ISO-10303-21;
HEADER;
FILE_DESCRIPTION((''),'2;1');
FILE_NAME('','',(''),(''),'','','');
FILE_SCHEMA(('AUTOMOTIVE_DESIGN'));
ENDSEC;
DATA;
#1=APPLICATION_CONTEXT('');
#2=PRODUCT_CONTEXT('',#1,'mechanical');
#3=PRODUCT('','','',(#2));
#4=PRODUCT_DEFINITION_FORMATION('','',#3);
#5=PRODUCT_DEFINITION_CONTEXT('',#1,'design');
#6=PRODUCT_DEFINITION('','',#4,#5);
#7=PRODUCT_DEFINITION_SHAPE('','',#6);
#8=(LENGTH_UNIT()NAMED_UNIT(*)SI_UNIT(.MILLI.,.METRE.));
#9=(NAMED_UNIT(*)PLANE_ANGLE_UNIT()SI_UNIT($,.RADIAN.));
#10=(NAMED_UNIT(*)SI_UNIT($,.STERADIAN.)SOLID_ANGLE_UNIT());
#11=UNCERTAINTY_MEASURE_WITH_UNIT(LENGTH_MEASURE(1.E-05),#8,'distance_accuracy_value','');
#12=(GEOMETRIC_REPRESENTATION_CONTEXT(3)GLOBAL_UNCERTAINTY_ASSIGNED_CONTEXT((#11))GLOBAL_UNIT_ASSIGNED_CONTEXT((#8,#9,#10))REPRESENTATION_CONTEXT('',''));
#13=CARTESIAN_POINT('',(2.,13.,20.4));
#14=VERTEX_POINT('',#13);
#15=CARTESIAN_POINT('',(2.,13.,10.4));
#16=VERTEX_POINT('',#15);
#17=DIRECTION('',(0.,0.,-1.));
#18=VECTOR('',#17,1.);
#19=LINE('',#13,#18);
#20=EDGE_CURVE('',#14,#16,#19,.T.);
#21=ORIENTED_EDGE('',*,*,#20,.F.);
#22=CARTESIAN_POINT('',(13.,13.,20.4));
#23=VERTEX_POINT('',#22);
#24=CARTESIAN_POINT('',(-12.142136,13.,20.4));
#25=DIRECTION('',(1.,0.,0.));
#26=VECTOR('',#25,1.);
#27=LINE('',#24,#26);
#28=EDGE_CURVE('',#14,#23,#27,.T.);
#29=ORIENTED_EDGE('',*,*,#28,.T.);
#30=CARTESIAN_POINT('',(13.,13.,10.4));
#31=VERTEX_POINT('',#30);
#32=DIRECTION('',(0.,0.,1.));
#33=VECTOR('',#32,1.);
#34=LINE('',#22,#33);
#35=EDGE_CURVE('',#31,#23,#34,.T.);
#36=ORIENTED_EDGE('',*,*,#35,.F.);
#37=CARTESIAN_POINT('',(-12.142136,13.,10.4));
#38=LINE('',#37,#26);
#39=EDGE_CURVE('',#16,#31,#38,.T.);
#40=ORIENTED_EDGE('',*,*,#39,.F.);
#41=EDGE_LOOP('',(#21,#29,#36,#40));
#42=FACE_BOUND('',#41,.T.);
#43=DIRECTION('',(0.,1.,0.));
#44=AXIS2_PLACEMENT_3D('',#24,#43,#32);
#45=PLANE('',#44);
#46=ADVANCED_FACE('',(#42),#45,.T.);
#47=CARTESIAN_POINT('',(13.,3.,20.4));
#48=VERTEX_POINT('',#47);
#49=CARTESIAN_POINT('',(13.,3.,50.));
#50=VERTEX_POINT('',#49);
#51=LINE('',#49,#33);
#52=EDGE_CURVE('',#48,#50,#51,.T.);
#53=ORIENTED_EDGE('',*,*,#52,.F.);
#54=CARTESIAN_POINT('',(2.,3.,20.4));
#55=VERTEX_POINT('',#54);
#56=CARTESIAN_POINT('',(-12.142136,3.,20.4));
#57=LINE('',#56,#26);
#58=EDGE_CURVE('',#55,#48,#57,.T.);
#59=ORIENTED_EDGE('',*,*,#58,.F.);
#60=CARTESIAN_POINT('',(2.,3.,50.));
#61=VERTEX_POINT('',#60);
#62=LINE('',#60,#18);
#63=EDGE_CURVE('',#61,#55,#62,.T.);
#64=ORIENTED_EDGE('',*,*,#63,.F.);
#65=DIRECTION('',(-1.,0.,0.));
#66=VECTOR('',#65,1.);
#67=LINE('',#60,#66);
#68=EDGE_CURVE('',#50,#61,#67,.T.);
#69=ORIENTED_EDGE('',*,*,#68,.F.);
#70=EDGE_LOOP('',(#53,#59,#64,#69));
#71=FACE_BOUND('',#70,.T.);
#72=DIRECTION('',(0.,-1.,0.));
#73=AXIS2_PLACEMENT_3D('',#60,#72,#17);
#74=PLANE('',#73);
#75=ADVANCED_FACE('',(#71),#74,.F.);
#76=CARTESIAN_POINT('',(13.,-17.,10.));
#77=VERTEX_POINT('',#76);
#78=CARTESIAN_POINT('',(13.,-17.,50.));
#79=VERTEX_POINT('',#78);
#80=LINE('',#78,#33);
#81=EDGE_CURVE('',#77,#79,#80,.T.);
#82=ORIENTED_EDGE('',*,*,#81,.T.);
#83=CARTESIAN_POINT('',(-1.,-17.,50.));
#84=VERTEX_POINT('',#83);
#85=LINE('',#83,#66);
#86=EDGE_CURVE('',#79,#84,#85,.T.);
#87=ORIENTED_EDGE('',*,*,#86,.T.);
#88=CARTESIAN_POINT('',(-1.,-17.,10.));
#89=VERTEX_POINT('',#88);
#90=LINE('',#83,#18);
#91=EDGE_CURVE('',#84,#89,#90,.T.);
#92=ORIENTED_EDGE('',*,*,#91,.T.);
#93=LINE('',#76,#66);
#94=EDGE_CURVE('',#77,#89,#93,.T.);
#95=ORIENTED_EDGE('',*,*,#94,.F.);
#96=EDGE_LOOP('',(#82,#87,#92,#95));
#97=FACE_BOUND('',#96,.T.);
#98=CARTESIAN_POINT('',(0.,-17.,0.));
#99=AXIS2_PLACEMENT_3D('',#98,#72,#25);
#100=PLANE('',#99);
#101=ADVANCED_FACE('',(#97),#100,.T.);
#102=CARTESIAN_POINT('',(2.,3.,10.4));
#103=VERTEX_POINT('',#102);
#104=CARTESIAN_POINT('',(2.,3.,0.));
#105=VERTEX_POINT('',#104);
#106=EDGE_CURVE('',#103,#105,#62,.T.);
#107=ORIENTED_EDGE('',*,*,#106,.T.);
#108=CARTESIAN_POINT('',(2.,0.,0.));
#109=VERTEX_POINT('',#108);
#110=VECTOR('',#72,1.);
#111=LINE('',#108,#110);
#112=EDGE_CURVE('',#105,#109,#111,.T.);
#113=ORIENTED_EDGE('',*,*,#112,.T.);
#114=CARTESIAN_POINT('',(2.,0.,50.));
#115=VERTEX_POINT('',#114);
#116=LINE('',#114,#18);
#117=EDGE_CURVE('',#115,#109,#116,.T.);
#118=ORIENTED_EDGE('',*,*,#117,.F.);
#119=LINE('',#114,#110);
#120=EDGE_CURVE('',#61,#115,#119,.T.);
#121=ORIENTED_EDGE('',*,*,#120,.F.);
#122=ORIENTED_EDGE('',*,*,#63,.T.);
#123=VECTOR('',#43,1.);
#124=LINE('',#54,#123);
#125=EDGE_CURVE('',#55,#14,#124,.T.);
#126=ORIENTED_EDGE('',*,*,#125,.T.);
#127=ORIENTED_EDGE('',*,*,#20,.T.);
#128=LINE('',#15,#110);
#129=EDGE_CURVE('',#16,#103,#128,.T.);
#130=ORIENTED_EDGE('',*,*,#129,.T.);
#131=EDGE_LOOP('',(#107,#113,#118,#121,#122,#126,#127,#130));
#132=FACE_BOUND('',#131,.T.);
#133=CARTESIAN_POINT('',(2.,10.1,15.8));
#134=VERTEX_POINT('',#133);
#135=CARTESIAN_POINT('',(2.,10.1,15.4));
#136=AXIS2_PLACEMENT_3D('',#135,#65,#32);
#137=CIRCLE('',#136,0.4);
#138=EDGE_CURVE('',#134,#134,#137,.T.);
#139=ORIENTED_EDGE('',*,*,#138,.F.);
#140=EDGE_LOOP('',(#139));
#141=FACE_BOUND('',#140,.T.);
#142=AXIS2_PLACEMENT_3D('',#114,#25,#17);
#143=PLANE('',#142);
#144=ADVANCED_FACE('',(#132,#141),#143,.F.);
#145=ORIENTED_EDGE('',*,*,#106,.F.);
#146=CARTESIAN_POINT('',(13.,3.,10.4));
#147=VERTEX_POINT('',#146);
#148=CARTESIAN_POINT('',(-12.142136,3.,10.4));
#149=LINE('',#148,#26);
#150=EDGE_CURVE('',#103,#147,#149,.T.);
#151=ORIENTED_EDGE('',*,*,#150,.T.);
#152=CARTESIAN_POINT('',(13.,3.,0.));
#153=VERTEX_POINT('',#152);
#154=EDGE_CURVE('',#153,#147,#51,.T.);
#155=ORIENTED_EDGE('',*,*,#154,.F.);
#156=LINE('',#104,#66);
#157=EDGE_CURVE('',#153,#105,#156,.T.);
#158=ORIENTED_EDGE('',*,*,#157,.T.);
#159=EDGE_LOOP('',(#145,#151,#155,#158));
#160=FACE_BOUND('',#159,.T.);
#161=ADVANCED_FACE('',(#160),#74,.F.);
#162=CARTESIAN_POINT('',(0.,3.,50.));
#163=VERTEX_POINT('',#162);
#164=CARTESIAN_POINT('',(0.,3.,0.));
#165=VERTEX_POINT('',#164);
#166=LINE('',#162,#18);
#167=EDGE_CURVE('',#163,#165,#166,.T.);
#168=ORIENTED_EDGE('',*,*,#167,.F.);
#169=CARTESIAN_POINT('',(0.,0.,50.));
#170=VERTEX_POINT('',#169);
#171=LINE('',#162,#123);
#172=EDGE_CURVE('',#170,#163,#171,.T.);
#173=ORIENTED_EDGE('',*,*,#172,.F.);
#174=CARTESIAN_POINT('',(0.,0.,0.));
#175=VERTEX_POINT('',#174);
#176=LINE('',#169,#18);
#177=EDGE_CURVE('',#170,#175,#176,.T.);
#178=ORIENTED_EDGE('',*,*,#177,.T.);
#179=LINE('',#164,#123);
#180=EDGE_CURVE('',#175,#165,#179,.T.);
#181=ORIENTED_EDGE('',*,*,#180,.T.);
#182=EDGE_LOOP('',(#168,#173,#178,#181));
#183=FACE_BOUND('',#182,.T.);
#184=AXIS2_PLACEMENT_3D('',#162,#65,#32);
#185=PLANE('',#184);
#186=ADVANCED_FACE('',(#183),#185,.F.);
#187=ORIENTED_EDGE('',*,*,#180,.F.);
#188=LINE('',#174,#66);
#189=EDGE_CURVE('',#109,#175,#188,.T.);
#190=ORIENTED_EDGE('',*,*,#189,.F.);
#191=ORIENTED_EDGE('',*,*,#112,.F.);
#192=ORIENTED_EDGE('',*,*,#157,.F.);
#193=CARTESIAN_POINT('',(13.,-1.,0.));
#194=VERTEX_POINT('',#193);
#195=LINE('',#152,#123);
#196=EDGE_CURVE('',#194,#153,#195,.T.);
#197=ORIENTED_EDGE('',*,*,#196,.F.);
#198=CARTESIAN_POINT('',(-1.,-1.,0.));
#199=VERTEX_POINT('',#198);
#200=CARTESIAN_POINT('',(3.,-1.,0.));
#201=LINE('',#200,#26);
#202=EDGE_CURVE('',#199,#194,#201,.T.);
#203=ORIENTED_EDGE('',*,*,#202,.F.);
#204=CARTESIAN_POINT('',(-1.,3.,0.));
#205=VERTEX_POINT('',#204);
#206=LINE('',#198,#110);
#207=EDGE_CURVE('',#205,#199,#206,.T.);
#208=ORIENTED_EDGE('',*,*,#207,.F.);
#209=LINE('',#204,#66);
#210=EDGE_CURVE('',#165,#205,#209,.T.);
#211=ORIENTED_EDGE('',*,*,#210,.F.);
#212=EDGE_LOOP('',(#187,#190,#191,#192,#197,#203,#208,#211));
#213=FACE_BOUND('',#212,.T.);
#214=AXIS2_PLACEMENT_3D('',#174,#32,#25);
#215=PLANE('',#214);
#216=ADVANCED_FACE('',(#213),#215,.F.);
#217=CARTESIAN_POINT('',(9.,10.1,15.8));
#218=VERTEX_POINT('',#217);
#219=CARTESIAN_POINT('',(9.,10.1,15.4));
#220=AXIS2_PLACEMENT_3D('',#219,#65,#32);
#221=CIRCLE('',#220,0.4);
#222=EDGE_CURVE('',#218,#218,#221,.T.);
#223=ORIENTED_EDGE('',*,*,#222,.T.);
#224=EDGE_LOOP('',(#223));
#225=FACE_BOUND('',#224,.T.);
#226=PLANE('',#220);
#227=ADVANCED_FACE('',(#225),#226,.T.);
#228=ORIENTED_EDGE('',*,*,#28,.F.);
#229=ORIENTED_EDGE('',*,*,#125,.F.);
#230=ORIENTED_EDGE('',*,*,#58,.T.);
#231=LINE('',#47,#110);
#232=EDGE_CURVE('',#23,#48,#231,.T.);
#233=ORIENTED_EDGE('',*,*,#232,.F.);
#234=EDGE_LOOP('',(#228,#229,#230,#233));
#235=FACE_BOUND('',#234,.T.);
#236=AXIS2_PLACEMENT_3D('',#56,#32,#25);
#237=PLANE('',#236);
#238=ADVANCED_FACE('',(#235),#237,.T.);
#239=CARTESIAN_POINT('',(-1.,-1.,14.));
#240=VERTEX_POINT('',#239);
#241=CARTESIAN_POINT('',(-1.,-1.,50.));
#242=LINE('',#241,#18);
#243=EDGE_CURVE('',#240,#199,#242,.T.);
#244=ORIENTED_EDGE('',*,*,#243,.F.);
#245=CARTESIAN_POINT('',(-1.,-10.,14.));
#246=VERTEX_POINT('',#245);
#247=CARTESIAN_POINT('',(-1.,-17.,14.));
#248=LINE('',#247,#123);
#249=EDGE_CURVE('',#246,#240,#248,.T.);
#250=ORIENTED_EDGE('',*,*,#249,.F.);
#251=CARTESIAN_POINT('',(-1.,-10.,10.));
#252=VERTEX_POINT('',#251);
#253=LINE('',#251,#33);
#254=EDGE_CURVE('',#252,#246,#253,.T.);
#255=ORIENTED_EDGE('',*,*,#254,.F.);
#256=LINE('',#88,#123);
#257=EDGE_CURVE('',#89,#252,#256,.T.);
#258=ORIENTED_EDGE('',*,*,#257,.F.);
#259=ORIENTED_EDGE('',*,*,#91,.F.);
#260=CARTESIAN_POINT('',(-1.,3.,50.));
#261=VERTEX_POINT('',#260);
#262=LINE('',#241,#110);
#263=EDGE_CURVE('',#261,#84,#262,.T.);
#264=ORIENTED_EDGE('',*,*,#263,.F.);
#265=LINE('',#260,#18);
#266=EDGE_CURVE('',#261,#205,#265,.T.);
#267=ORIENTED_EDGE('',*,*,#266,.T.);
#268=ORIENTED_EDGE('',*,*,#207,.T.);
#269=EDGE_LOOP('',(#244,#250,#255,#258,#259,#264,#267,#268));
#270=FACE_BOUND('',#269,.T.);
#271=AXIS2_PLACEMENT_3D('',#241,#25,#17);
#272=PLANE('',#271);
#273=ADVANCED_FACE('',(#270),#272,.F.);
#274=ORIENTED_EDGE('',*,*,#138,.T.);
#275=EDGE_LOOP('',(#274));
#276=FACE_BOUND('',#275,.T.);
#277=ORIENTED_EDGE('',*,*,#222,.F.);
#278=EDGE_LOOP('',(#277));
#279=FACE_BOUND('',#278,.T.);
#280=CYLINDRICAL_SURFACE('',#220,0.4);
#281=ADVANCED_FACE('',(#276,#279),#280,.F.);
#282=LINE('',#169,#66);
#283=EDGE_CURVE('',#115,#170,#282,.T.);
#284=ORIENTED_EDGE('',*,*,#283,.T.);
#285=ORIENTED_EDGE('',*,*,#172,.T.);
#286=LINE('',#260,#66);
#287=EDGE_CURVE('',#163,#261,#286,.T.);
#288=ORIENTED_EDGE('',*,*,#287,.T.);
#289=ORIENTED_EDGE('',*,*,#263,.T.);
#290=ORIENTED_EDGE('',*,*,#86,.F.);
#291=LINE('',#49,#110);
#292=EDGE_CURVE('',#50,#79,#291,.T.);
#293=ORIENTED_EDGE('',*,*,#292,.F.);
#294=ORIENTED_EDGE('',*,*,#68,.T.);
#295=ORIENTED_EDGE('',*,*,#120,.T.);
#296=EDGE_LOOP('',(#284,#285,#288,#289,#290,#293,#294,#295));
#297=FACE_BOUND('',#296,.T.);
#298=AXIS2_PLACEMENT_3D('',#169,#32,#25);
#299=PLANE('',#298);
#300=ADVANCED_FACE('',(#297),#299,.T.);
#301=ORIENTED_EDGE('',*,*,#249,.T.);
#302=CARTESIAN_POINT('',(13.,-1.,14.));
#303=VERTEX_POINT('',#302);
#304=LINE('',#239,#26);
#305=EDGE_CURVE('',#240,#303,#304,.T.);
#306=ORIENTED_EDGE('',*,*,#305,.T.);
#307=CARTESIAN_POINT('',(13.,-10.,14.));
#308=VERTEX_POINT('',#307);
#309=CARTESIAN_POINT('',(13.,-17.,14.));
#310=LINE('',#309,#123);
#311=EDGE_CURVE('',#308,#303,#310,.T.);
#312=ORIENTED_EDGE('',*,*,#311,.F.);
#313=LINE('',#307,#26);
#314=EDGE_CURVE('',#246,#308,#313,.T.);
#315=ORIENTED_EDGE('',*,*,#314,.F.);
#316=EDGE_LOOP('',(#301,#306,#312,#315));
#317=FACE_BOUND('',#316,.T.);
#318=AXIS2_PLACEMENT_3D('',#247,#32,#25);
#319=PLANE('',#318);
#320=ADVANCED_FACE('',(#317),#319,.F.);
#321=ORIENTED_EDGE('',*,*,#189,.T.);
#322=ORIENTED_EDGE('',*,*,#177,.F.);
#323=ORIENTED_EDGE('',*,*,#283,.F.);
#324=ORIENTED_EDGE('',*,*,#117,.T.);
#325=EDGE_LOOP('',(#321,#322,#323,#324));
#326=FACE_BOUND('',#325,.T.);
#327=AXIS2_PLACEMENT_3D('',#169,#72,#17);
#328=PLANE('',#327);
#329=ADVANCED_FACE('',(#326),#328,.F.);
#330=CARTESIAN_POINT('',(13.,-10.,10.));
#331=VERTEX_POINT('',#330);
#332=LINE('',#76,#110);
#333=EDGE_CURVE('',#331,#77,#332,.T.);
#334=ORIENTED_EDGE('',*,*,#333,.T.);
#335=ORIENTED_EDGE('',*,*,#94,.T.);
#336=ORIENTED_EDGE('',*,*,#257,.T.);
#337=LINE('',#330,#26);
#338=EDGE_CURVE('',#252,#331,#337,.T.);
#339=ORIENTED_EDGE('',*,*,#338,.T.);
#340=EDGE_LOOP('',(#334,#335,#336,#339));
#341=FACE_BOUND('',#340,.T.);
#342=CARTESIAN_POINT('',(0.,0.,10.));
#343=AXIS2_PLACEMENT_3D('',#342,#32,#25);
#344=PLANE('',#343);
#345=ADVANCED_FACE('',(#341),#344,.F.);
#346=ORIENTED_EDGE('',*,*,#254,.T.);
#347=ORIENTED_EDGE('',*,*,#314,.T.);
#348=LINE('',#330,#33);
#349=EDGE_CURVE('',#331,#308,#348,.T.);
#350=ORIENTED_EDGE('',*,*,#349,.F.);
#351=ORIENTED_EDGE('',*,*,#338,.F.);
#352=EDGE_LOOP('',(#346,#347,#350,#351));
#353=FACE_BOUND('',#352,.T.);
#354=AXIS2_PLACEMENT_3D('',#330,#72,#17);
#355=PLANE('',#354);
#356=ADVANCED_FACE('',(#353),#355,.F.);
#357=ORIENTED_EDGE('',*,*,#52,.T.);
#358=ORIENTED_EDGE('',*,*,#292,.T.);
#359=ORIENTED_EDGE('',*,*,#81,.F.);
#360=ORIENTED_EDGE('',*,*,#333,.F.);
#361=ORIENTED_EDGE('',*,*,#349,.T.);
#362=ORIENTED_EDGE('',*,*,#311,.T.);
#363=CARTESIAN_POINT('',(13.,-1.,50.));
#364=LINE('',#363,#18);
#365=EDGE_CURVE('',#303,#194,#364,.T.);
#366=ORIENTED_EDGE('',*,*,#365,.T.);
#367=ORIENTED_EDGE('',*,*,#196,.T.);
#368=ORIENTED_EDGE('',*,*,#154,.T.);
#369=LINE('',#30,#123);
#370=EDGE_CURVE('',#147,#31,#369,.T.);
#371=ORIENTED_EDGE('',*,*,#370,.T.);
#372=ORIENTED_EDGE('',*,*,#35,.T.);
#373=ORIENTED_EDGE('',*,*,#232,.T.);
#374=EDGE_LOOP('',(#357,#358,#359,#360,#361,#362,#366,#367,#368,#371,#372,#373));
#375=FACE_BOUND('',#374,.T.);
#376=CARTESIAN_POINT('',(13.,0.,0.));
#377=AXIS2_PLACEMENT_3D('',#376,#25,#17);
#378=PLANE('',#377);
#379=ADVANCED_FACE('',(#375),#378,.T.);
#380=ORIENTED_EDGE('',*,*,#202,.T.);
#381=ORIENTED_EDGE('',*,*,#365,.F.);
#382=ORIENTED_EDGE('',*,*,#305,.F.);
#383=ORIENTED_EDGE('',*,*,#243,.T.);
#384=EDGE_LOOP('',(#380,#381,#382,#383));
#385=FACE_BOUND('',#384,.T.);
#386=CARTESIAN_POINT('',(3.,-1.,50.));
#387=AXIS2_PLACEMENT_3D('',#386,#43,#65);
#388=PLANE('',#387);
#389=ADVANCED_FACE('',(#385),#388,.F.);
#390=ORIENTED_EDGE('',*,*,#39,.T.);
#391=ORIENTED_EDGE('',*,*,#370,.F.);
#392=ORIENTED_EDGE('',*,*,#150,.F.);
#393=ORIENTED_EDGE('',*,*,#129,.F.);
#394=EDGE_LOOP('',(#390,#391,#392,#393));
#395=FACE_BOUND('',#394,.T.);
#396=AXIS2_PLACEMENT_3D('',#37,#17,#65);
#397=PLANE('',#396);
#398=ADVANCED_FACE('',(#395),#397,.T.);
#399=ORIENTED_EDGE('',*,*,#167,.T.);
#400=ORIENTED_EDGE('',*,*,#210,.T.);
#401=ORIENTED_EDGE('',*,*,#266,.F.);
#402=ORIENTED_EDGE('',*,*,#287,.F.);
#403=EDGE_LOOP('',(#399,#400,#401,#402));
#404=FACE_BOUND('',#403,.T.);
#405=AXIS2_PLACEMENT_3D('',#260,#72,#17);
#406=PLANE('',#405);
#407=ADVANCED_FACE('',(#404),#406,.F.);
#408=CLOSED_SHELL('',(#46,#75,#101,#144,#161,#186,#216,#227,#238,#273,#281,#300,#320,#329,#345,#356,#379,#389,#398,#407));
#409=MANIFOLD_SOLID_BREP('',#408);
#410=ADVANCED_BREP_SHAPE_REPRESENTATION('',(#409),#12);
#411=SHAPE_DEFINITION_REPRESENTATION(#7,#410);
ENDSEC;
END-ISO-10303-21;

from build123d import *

# Parameters (mm, degrees)
BOSS_EXTRUDE1_DEPTH = 50
SKETCH2_W           = 50
SKETCH2_H           = 4
BOSS_EXTRUDE2_DEPTH = 10
SKETCH4_W           = 14
SKETCH4_H           = 36
BOSS_EXTRUDE3_DEPTH = 16
SKETCH5_W           = 14
SKETCH5_H           = 7
BOSS_EXTRUDE4_DEPTH = 4
SKETCH7_W           = 10
SKETCH7_H           = 10
BOSS_EXTRUDE5_DEPTH = 11
SKETCH8_R           = 0.4
CUT_EXTRUDE2_DEPTH  = 7


with BuildPart() as part:
    # Sketch1 → Boss-Extrude1 (new body)
    with BuildSketch(Plane.XY):
        Polygon((0, 0), (2, 0), (2, 3), (3, 3), (3, -1), (-1, -1), (-1, 3), (0, 3), align=None)
    extrude(amount=BOSS_EXTRUDE1_DEPTH)

    # Sketch2 → Boss-Extrude2 (add)
    with BuildSketch(Plane(origin=(3, 0, 0), x_dir=(0, 0, -1), z_dir=(1, 0, 0))):
        with Locations((-25, 1)):
            Rectangle(SKETCH2_W, SKETCH2_H)
    extrude(amount=BOSS_EXTRUDE2_DEPTH)

    # Sketch4 → Boss-Extrude3 (add)
    with BuildSketch(Plane.XZ.offset(1)):
        with Locations((6, 32)):
            Rectangle(SKETCH4_W, SKETCH4_H)
    extrude(amount=BOSS_EXTRUDE3_DEPTH)

    # Sketch5 → Boss-Extrude4 (add)
    with BuildSketch(Plane(origin=(0, 0, 14), x_dir=(-1, 0, 0), z_dir=(0, 0, -1))):
        with Locations((-6, -13.5)):
            Rectangle(SKETCH5_W, SKETCH5_H)
    extrude(amount=BOSS_EXTRUDE4_DEPTH)

    # Sketch7 → Boss-Extrude5 (add)
    with BuildSketch(Plane(origin=(13, 0, 0), x_dir=(0, 0, -1), z_dir=(1, 0, 0))):
        with Locations((-15.4, 8)):
            Rectangle(SKETCH7_W, SKETCH7_H)
    extrude(amount=-BOSS_EXTRUDE5_DEPTH)

    # Sketch8 → Cut-Extrude2 (cut)
    with BuildSketch(Plane.ZY.offset(-2)):
        with Locations((15.4, 10.1)):
            Circle(SKETCH8_R)
    extrude(amount=-CUT_EXTRUDE2_DEPTH, mode=Mode.SUBTRACT)


solid = part.part
